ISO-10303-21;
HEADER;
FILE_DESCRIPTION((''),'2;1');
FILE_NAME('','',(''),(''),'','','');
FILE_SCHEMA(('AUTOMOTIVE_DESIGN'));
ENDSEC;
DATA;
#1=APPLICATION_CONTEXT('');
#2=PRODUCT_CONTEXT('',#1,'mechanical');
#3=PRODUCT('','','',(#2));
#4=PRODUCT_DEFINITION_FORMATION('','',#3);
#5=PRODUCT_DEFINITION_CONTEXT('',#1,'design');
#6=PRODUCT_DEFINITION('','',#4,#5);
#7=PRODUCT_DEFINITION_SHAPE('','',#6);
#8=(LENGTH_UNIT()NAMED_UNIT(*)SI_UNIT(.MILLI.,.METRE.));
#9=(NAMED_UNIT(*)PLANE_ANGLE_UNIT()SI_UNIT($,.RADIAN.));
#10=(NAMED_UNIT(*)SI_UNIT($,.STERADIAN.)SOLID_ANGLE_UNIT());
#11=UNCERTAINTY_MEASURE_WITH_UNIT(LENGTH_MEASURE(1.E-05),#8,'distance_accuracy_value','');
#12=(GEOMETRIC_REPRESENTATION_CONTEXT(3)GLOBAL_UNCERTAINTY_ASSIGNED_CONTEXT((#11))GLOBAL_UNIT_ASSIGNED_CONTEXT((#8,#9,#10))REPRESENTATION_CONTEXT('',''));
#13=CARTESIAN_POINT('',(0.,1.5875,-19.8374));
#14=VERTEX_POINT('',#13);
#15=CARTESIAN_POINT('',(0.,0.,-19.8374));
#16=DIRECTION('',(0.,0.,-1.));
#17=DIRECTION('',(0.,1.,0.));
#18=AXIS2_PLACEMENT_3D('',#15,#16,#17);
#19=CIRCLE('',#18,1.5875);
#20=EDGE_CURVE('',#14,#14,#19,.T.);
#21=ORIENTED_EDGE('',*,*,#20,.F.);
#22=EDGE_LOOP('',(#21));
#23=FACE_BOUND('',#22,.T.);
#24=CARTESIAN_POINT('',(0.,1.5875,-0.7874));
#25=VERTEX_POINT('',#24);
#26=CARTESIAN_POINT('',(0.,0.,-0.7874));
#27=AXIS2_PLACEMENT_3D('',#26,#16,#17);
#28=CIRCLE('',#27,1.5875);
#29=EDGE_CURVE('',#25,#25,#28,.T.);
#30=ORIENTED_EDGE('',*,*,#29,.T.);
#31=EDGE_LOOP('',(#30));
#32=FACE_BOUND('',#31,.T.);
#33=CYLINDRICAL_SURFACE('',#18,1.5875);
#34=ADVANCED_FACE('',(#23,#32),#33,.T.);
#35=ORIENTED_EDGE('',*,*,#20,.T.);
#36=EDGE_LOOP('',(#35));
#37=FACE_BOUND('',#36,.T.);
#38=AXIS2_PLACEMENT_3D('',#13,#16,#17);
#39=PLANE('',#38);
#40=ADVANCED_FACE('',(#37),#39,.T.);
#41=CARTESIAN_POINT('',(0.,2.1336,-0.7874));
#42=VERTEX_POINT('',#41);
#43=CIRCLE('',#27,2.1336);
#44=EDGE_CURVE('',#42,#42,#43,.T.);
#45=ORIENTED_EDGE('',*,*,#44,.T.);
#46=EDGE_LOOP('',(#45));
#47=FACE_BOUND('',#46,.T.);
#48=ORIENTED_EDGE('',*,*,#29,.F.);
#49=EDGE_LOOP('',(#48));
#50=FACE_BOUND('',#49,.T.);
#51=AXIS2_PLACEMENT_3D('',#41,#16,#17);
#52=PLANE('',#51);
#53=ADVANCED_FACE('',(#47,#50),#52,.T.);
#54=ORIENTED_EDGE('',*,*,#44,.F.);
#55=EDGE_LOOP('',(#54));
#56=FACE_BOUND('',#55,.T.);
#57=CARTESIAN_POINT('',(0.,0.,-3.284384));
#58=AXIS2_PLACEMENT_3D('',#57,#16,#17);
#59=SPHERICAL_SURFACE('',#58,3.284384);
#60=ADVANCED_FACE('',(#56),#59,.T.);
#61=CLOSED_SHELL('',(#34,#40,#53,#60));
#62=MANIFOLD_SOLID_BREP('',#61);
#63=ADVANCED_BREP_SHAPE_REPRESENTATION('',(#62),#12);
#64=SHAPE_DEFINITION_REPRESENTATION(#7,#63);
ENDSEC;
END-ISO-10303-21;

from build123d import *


with BuildPart() as part:
    # Sketch1 → Revolve1 (revolve)
    with BuildSketch(Plane(origin=(0, 0, 0), x_dir=(0, 0, -1), z_dir=(1, 0, 0))):
        with BuildLine():
            Line((19.8374, 0), (0, 0))
            ThreePointArc((0, 0), (0.203131612, 1.13712881), (0.7874, 2.1336))
            Line((0.7874, 2.1336), (0.7874, 1.5875))
            Line((0.7874, 1.5875), (19.8374, 1.5875))
            Line((19.8374, 1.5875), (19.8374, 0))
        make_face()
    revolve(axis=Axis((0, 0, -19.8374), (0, 0, 1)))


solid = part.part
